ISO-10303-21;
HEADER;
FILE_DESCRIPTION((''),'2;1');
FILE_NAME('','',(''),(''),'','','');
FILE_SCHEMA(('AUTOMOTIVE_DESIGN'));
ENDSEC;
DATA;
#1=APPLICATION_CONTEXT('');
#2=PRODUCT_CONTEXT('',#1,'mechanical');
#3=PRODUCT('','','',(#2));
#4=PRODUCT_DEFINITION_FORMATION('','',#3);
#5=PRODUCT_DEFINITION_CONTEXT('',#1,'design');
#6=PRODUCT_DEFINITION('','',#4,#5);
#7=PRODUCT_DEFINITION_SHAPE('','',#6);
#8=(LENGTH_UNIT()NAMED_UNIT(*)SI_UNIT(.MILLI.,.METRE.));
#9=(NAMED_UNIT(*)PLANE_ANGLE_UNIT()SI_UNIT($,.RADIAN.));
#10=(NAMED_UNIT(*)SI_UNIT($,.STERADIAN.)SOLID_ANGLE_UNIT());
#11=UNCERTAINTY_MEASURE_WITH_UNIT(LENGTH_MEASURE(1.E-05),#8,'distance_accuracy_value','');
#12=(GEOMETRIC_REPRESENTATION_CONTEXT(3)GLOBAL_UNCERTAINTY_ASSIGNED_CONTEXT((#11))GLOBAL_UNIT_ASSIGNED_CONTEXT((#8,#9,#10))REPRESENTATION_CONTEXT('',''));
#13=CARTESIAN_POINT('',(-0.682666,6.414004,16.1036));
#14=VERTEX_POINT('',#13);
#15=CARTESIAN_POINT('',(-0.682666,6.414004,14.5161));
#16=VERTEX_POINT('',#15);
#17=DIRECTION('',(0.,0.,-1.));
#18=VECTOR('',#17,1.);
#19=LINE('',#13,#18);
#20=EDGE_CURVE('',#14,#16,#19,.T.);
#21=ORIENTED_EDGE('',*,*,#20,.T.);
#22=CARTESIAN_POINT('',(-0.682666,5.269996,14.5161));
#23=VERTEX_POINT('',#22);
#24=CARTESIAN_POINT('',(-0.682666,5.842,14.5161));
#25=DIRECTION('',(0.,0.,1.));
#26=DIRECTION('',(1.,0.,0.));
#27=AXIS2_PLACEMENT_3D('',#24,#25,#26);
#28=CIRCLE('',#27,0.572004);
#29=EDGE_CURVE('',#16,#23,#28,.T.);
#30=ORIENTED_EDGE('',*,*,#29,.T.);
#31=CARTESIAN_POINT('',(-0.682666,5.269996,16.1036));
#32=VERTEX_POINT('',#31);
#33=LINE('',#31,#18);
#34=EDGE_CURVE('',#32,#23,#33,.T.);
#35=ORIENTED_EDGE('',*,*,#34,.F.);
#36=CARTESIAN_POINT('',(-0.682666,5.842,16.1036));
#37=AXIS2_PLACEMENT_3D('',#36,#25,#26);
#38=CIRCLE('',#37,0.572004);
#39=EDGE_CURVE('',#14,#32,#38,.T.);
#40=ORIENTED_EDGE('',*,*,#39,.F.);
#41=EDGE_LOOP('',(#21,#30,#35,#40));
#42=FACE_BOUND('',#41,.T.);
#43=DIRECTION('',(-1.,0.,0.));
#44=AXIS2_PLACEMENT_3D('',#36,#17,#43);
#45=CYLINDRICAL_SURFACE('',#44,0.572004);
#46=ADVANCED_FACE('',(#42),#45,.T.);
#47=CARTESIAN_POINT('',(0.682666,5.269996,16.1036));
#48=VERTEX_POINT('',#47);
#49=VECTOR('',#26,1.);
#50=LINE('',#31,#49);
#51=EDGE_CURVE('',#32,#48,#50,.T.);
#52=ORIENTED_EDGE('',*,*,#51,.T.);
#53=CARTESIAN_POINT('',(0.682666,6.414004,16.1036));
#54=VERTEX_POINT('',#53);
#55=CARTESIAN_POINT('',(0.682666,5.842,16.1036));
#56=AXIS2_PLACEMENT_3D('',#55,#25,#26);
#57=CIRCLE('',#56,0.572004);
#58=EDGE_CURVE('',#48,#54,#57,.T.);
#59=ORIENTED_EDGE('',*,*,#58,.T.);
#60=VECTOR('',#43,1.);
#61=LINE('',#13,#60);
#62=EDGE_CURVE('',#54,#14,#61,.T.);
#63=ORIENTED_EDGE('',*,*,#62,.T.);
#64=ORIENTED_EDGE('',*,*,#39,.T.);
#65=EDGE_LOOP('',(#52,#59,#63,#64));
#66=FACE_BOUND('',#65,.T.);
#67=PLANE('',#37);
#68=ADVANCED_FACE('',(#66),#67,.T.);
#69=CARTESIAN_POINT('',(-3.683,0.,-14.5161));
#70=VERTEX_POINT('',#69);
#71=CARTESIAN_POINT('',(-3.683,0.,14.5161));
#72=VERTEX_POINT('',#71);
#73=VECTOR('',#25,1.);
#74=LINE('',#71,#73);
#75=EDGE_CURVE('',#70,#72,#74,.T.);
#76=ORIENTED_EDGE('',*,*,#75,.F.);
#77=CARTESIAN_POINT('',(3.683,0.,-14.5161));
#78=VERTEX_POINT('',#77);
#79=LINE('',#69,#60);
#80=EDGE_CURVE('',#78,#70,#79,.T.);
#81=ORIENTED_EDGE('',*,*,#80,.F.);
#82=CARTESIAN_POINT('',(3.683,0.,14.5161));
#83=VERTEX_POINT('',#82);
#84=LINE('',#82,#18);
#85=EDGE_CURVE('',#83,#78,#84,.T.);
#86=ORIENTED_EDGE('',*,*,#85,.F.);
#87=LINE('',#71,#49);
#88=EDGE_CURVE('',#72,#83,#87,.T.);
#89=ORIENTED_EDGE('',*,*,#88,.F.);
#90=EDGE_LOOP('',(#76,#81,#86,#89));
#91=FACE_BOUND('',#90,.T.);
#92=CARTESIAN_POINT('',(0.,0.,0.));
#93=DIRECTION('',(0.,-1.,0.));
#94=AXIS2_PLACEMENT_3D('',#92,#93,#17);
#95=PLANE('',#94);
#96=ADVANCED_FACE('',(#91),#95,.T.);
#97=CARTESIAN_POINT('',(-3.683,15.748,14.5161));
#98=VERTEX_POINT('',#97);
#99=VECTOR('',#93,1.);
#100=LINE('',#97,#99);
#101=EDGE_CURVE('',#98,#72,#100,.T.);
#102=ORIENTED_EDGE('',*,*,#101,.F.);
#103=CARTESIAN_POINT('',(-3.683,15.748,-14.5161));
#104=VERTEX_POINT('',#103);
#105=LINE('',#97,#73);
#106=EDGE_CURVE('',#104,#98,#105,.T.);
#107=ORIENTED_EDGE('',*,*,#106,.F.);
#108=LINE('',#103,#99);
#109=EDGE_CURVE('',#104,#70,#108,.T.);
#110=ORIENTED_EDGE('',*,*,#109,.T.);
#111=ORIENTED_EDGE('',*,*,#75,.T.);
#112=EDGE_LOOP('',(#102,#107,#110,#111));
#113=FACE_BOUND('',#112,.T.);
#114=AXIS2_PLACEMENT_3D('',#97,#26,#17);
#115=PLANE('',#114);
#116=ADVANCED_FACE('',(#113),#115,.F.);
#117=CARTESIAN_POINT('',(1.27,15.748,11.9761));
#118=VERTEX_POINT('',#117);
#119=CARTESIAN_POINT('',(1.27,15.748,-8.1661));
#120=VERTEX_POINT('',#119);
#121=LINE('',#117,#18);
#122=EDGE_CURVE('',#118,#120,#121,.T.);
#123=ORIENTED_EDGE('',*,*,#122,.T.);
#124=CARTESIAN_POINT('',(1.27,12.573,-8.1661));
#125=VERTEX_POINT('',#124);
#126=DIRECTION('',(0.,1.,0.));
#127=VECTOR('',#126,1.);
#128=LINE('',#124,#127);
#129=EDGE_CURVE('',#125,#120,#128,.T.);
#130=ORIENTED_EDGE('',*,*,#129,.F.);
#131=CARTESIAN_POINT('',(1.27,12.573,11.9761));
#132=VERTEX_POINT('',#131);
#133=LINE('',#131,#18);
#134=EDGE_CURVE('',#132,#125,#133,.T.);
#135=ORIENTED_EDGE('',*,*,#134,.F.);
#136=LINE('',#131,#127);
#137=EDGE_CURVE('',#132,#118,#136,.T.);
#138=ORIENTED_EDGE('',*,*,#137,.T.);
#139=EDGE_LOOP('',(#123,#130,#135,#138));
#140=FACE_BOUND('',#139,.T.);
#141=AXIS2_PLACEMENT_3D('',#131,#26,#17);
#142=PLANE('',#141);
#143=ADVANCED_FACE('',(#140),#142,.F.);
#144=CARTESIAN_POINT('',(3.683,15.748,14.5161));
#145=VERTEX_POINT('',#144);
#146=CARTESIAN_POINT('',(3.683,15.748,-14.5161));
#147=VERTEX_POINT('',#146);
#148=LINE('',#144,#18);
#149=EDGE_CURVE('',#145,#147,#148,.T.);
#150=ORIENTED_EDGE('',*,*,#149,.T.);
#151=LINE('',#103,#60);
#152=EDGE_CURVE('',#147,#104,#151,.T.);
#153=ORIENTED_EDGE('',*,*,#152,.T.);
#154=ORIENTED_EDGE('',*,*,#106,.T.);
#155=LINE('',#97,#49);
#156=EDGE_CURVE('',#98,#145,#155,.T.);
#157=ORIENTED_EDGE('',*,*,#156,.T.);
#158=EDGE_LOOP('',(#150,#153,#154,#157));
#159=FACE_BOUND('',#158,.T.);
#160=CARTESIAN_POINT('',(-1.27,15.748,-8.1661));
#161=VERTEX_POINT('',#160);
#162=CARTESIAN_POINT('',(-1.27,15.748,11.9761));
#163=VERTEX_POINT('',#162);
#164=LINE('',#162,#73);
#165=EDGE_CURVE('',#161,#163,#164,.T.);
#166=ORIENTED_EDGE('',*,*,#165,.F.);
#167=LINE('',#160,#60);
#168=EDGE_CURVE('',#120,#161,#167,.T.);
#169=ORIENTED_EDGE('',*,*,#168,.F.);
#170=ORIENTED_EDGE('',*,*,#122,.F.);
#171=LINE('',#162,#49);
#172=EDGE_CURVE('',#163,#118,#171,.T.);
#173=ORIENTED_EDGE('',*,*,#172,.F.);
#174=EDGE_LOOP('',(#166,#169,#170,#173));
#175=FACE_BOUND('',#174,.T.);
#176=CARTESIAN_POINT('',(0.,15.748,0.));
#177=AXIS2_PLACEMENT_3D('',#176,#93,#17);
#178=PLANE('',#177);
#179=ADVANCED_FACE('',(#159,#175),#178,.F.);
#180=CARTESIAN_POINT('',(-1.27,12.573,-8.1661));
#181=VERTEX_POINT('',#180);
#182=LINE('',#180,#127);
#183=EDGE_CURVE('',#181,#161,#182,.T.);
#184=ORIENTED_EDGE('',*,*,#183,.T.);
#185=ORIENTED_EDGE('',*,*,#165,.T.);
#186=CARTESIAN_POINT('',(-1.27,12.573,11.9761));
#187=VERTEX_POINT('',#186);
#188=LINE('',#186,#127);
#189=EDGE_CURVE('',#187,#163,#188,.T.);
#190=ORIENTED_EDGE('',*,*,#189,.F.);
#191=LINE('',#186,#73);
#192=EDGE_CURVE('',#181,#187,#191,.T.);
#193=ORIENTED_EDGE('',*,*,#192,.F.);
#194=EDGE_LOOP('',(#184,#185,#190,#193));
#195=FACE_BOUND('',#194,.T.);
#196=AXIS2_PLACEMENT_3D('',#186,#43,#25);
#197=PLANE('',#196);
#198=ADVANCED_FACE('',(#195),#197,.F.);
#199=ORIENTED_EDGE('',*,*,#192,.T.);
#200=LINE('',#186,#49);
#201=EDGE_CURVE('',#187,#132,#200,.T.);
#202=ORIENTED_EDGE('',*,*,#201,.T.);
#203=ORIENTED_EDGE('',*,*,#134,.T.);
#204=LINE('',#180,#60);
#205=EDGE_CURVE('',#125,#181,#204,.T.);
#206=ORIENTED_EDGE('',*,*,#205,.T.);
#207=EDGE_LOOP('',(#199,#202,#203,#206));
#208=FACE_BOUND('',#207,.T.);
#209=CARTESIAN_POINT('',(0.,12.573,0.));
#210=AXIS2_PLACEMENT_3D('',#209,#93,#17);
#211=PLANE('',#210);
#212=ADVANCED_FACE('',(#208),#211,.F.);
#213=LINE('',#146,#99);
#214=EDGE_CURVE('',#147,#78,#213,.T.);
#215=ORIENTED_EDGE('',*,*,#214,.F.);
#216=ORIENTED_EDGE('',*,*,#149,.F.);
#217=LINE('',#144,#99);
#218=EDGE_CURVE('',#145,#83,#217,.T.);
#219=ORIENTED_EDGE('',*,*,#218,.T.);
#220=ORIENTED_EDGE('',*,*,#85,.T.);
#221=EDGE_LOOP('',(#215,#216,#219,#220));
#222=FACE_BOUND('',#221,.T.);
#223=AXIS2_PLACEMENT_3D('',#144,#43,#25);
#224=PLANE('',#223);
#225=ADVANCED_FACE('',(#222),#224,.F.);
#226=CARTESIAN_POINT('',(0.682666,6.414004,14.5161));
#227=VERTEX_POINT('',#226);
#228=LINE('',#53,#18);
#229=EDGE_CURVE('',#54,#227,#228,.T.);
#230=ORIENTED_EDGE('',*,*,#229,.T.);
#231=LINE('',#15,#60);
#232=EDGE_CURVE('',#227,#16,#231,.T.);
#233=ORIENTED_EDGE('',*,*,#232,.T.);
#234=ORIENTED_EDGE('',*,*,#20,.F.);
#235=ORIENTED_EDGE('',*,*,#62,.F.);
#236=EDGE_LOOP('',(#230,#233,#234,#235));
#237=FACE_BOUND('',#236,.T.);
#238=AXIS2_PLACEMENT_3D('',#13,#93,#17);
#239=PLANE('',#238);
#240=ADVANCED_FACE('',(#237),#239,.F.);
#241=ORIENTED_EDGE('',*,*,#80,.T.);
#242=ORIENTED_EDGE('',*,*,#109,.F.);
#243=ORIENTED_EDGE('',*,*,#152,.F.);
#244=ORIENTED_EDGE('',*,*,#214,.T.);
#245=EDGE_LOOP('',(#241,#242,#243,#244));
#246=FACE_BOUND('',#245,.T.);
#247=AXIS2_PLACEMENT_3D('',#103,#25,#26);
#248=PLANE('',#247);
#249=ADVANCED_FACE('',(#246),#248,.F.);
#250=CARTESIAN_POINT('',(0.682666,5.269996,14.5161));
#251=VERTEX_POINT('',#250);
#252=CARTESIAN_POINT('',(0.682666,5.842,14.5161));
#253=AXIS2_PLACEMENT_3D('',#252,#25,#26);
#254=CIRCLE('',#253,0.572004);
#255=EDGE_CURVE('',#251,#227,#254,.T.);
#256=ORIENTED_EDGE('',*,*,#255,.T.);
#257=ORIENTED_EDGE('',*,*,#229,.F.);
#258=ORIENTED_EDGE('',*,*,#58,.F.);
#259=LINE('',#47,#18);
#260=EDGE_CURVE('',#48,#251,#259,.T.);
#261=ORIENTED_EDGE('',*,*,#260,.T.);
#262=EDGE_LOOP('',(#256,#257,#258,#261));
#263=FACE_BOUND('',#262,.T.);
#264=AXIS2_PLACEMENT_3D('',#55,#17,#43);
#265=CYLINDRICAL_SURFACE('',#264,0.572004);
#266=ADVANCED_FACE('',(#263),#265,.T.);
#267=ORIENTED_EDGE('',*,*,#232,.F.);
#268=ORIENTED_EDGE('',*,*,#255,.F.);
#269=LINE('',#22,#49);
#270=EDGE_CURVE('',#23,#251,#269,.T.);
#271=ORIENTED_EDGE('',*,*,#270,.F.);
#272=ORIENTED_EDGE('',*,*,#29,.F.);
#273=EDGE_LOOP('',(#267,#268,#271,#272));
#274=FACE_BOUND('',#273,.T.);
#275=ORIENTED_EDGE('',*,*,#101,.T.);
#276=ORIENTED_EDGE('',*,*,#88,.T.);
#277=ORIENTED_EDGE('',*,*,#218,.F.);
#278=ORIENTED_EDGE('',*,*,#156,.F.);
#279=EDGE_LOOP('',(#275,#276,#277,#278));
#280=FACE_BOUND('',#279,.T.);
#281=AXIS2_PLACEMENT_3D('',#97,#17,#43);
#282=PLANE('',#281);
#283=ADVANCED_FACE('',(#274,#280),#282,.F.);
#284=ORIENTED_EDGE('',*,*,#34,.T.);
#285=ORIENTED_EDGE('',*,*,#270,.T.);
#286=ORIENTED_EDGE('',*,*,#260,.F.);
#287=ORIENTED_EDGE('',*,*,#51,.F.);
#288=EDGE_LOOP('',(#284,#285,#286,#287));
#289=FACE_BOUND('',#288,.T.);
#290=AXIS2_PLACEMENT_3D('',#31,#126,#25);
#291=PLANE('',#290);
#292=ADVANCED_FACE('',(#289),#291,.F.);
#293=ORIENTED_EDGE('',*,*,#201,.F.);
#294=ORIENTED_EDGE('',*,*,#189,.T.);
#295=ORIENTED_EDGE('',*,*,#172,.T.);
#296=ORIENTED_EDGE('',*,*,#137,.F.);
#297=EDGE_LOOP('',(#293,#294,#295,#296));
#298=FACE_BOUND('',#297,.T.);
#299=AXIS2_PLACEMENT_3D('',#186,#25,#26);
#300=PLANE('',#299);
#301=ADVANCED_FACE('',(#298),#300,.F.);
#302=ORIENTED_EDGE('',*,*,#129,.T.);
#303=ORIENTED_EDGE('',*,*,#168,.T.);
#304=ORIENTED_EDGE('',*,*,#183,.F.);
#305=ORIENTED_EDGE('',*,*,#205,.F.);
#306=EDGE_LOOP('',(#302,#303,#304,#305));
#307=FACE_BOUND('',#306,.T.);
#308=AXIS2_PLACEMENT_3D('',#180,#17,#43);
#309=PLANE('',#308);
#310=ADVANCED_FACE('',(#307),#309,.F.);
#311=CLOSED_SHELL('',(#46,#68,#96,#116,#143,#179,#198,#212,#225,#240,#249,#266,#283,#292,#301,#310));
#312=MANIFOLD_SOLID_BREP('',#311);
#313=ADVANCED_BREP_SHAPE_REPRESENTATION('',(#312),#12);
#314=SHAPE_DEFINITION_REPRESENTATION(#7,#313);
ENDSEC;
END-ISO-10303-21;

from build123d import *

# Parameters (mm, degrees)
SKETCH1_W           = 7.366
SKETCH1_H           = 29.0322
BOSS_EXTRUDE1_DEPTH = 15.748
SKETCH2_W           = 2.54
SKETCH2_H           = 20.1422
CUT_EXTRUDE1_DEPTH  = 3.175
BOSS_EXTRUDE3_DEPTH = 1.5875


with BuildPart() as part:
    # Sketch1 → Boss-Extrude1 (new body)
    with BuildSketch(Plane(origin=(0, 0, 0), x_dir=(1, 0, 0), z_dir=(0, 1, 0))):
        Rectangle(SKETCH1_W, SKETCH1_H)
    extrude(amount=BOSS_EXTRUDE1_DEPTH)

    # Sketch2 → Cut-Extrude1 (cut)
    with BuildSketch(Plane(origin=(0, 15.748, 0), x_dir=(1, 0, 0), z_dir=(0, 1, 0))):
        with Locations((0, -1.905)):
            Rectangle(SKETCH2_W, SKETCH2_H)
    extrude(amount=-CUT_EXTRUDE1_DEPTH, mode=Mode.SUBTRACT)

    # Sketch5 → Boss-Extrude3 (add)
    with BuildSketch(Plane.XY.offset(14.5161)):
        with BuildLine():
            Line((-0.682666257, 6.414003725), (0.682666257, 6.414003725))
            ThreePointArc((0.682666257, 6.414003725), (1.254669982, 5.842), (0.682666257, 5.269996275))
            Line((0.682666257, 5.269996275), (-0.682666257, 5.269996275))
            ThreePointArc((-0.682666257, 5.269996275), (-1.254669982, 5.842), (-0.682666257, 6.414003725))
        make_face()
    extrude(amount=BOSS_EXTRUDE3_DEPTH)


solid = part.part
